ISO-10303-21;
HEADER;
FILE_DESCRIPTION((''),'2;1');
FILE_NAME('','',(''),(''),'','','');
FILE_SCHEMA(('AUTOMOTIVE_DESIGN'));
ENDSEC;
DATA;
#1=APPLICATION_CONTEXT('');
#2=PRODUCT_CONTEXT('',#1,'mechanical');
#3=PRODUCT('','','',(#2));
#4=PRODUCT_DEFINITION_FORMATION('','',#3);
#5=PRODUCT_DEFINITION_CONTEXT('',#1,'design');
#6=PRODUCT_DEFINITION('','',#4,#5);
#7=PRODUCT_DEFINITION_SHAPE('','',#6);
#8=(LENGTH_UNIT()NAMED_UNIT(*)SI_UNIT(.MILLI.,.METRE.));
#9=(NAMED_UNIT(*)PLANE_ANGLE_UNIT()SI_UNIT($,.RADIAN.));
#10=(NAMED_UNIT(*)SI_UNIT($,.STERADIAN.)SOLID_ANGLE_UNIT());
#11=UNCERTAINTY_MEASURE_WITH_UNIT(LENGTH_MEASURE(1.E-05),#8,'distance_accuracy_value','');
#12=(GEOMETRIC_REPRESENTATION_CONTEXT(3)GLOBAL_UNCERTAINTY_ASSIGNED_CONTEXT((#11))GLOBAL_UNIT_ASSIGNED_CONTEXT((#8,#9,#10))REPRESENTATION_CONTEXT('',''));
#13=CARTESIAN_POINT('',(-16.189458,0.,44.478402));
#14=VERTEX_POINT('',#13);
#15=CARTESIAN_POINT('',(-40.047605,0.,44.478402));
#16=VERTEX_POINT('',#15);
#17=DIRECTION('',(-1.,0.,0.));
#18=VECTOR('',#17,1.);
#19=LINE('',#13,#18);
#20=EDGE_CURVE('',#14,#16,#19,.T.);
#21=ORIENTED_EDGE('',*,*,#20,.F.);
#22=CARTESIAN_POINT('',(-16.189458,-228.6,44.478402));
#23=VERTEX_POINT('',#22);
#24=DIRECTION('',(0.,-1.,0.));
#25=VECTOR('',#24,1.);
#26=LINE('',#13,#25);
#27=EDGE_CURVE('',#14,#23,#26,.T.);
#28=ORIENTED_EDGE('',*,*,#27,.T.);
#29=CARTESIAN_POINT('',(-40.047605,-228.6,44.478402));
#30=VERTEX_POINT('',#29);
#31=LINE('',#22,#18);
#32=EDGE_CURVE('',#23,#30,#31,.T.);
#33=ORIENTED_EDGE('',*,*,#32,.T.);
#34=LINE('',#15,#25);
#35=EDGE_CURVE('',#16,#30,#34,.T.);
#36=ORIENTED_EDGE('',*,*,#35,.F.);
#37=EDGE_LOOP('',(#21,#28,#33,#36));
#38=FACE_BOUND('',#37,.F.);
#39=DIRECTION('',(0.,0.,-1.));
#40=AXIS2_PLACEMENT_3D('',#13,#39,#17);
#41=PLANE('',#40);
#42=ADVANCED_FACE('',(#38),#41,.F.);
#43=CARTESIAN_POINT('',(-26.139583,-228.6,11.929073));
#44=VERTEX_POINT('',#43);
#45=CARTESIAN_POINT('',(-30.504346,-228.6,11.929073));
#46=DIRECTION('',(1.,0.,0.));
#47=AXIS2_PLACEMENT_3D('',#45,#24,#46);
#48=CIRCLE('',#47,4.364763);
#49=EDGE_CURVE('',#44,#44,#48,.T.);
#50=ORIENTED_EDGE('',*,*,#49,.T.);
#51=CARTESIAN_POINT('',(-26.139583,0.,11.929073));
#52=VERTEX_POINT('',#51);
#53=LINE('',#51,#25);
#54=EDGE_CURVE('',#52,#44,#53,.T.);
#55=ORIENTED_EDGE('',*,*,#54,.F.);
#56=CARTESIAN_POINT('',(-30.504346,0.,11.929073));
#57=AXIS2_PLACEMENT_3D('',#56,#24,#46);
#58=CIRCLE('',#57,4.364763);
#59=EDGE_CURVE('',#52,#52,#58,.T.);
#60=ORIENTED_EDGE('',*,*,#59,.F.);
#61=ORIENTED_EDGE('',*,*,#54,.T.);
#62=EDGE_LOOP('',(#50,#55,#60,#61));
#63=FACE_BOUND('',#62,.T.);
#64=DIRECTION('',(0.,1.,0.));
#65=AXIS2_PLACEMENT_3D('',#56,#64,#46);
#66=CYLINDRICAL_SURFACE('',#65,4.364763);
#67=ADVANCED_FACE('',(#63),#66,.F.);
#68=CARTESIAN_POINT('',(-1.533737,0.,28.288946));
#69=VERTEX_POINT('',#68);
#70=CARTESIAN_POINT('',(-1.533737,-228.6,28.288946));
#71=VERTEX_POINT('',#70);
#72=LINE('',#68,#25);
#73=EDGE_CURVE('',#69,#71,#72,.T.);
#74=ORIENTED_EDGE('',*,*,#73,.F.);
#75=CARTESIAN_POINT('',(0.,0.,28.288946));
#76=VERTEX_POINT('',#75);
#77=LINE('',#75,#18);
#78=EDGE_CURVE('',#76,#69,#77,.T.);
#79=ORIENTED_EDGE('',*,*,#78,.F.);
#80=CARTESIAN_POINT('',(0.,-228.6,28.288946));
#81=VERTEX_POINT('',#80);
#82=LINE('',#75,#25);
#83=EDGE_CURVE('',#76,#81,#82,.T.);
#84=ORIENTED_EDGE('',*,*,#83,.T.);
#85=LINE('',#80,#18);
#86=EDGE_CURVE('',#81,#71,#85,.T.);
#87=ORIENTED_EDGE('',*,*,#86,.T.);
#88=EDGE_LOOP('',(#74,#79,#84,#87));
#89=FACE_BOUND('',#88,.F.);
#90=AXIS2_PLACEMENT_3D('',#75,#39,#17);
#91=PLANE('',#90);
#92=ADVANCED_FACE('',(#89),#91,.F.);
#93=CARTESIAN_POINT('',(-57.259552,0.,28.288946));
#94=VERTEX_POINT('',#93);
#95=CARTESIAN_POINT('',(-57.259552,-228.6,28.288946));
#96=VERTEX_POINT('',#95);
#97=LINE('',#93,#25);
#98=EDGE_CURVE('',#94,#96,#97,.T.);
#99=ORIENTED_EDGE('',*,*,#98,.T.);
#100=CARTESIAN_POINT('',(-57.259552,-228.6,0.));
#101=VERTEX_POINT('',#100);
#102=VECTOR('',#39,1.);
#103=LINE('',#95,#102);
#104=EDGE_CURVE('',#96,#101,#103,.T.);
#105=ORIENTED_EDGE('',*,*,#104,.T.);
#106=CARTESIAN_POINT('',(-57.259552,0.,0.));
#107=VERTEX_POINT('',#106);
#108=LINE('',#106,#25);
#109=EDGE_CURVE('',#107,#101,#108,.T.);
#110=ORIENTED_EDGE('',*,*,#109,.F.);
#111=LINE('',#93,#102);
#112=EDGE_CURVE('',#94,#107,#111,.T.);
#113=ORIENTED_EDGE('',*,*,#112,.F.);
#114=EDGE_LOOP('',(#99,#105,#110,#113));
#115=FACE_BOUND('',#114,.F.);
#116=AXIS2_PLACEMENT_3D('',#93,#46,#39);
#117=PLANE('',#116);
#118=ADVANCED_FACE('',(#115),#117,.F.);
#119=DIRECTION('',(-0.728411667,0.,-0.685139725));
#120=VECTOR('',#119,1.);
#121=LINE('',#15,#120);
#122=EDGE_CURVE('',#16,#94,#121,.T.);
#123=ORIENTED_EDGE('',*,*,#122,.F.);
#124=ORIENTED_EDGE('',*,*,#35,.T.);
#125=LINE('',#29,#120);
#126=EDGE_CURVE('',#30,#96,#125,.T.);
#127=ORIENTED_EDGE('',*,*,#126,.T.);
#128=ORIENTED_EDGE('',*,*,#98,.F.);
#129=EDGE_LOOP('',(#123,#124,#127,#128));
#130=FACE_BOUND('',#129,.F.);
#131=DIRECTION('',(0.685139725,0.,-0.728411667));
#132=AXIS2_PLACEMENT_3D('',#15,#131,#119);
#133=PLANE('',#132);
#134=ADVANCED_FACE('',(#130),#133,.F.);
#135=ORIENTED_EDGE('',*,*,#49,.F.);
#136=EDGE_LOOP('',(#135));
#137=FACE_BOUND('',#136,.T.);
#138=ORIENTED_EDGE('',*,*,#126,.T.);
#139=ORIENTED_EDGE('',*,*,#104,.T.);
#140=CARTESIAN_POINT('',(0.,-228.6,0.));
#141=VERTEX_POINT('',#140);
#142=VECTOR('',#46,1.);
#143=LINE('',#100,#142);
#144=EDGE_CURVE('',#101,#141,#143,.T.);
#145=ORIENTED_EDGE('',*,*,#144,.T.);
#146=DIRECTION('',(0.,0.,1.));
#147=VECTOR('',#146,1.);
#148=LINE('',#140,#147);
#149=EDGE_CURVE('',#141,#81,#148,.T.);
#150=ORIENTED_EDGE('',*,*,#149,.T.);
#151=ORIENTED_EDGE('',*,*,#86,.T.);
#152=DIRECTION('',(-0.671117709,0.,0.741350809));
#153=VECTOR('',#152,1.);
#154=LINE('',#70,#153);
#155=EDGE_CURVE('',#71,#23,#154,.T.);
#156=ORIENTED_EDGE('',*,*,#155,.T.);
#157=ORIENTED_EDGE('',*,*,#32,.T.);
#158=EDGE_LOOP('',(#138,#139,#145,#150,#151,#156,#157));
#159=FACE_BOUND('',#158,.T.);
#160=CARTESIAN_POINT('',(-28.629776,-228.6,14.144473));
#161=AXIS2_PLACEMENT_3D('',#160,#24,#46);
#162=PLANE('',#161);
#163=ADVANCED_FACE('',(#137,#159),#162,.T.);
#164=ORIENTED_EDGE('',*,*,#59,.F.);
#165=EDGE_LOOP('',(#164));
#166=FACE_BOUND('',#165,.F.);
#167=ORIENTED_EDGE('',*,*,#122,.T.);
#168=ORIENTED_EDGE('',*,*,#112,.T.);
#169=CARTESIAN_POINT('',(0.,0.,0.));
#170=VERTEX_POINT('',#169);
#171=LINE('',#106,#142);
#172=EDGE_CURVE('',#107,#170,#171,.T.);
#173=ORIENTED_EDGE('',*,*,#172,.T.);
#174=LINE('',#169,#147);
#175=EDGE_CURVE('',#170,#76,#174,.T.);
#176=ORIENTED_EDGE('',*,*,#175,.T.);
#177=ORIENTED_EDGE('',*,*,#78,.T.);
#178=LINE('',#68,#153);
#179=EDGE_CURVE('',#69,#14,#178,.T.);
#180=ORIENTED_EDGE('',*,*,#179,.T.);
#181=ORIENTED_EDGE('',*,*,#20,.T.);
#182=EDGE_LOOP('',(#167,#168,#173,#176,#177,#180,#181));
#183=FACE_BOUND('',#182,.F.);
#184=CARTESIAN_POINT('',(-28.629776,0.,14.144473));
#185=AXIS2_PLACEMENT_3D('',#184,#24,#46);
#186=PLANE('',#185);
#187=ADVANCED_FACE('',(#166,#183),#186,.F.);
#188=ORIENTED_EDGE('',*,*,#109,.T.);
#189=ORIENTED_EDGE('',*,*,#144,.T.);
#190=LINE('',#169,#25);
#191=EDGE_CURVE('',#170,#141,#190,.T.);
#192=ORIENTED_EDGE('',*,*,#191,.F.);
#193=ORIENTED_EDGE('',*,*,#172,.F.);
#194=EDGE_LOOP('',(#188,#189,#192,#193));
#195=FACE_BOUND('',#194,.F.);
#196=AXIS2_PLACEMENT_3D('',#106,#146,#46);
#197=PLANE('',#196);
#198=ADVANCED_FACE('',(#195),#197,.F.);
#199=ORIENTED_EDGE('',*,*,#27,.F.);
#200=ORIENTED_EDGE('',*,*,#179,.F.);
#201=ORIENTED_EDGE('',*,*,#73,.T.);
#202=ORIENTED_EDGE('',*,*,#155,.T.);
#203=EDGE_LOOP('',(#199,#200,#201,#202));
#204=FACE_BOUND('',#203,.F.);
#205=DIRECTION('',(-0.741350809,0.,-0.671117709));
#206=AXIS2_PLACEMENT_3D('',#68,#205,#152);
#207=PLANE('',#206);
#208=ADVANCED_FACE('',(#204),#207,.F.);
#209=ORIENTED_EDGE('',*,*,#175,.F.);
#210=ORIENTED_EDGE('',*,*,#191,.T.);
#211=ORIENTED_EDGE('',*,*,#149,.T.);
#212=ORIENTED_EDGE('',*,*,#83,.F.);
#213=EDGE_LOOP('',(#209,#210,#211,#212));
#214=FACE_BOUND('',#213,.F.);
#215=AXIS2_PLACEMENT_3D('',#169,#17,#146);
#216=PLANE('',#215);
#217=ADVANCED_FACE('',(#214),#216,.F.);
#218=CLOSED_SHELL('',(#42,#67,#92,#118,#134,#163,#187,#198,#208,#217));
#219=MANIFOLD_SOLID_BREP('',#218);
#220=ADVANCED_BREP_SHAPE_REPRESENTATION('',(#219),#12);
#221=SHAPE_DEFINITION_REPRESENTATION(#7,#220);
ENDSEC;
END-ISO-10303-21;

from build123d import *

# Parameters (mm, degrees)
F0_R     = 4.364763
F1_DEPTH = 228.6
F2_R     = 4.118273
F2_R_2   = 7.189832
F2_R_3   = 4.635799
F3_DEPTH = 25.4


with BuildPart() as f1:
    # F0 (on Front) → F1 (new body)
    with BuildSketch(Plane.XZ):
        Polygon((-57.259552, 0), (0, 0), (0, 28.288946), (-1.533737, 28.288946), (-57.259552, 28.288946), align=None)
        with Locations((-30.504346, 11.929073)):
            Circle(F0_R, mode=Mode.SUBTRACT)
        Polygon((-40.047605, 44.478402), (-57.259552, 28.288946), (-1.533737, 28.288946), (-16.189458, 44.478402), align=None)
    extrude(amount=F1_DEPTH)

    # F2 (on face) → F3 (join)
    with BuildSketch(Plane.XY.offset(44.478402)):
        with Locations((-31.015592, -27.802045)):
            Circle(F2_R)
        with Locations((-31.015592, -55.409327)):
            Circle(F2_R_2)
        with Locations((-28.970607, -90.514891)):
            Circle(F2_R_3)
    extrude(amount=-F3_DEPTH)


solid = f1.part
